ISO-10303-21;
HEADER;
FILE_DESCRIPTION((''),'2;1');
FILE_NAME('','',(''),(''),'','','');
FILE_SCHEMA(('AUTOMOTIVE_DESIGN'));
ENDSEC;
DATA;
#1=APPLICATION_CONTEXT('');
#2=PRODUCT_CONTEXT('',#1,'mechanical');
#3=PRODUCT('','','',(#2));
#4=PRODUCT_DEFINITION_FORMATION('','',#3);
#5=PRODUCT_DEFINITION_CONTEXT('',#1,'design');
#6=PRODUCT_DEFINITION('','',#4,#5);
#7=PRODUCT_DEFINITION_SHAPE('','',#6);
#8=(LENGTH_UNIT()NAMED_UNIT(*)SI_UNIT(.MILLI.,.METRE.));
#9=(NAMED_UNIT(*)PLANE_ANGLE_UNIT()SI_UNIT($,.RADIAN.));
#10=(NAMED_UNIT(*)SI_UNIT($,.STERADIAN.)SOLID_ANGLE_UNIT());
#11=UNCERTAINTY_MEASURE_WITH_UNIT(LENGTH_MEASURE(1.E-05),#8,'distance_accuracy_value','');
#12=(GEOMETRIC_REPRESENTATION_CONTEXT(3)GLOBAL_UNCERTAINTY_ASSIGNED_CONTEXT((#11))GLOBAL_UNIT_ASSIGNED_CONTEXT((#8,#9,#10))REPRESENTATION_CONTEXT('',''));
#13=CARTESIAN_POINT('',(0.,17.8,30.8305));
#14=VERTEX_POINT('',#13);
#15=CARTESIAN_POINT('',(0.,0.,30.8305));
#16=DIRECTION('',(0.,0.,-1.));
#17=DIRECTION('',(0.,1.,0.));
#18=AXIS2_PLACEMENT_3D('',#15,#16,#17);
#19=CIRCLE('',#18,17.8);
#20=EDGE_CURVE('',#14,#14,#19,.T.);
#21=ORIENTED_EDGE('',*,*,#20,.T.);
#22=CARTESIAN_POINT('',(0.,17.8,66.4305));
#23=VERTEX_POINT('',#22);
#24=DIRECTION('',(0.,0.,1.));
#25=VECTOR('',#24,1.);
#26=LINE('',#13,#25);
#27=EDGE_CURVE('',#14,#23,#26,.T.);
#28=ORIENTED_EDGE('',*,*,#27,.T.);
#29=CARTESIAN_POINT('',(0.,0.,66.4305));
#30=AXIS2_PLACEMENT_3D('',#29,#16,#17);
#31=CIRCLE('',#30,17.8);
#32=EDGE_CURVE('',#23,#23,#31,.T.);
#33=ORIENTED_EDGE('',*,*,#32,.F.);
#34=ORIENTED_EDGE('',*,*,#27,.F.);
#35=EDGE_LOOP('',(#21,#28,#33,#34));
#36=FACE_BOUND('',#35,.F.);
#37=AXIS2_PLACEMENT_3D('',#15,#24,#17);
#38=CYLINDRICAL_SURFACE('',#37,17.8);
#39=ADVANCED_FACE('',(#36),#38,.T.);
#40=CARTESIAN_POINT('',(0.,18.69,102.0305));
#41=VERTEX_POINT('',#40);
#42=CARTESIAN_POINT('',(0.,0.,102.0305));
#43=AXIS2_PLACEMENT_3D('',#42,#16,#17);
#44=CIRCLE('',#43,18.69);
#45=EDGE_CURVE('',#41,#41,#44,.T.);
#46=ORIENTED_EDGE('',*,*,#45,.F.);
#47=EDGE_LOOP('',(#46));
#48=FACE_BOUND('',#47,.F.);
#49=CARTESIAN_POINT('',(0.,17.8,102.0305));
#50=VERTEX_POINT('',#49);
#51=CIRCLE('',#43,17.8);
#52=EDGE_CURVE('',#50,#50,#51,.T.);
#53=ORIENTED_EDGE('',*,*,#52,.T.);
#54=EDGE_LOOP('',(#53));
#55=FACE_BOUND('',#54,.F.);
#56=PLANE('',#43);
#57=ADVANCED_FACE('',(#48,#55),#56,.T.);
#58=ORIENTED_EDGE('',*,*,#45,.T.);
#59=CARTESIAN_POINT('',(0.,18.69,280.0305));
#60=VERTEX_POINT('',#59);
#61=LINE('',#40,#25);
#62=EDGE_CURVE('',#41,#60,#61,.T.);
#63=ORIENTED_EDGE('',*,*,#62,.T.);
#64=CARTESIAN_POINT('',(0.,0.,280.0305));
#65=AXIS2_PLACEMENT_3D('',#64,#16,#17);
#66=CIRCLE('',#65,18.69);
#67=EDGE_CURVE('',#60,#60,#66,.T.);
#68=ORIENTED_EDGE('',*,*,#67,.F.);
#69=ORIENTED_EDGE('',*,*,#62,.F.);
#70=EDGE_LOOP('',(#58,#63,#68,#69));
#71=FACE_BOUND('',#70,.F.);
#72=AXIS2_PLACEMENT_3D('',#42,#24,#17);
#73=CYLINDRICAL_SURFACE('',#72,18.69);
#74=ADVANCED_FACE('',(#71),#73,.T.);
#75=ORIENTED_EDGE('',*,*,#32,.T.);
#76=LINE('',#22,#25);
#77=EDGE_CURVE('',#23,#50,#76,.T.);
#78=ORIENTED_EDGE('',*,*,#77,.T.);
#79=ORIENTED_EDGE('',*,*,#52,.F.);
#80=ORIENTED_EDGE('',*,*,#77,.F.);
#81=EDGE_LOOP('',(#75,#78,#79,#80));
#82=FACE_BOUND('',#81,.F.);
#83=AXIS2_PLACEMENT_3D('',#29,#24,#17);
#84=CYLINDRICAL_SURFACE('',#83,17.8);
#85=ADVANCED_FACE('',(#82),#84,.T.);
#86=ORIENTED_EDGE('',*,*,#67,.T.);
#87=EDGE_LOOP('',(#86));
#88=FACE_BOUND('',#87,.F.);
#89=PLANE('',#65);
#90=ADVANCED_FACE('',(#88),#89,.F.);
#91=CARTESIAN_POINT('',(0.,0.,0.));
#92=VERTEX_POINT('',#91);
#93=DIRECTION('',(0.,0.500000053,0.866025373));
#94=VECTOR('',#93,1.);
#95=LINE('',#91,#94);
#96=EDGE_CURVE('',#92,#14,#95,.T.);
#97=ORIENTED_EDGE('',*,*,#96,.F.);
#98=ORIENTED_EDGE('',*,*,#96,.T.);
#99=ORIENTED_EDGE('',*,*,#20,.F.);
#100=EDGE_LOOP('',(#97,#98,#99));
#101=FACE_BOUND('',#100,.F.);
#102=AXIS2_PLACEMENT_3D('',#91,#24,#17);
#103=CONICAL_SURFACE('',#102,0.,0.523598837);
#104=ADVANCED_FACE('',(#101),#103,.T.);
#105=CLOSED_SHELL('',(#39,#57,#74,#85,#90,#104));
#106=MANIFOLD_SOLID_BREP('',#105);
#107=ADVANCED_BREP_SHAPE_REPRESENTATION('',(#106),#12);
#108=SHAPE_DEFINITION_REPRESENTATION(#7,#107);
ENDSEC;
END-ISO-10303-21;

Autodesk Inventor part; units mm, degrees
ref_plane "YZ Plane" through (0, 0, 0) normal (1, 0, 0) x (0, 1, 0)
ref_plane "XZ Plane" through (0, 0, 0) normal (0, 1, 0) x (-1, 0, 0)
ref_plane "XY Plane" through (0, 0, 0) normal (0, 0, 1) x (1, 0, 0)
sketch "Skizze1" plane through (0, 0, 0) normal (1, 0, 0) x (0, 1, 0)
  line L0 (0, 0) -> (17.8, 0) construction
  line L1 (0, 0) -> (17.8, 30.8305)
  line L2 (0, 0) -> (35.6, 0) construction
  line L3 (17.8, 30.8305) -> (17.8, 66.4305)
  line L4 (17.8, 66.4305) -> (17.8, 102.0305)
  line L5 (18.69, 102.0305) -> (18.69, 280.0305)
  line L6 (18.69, 280.0305) -> (0, 280.0305)
  line L7 (17.8, 102.0305) -> (18.69, 102.0305)
  line L8 (0, 280.0305) -> (0, 0)
  dimension "d2" = 17.8
  dimension "d3" = 60
  dimension "d4" = 35.6
  dimension "d5" = 35.6
  dimension "d7" = 178
revolve "Umdrehung1" add sketch "Skizze1" angle 360 about axis through (0, 0, 280.0305) along (0, 0, -1)
properties part number "CPTCone"
